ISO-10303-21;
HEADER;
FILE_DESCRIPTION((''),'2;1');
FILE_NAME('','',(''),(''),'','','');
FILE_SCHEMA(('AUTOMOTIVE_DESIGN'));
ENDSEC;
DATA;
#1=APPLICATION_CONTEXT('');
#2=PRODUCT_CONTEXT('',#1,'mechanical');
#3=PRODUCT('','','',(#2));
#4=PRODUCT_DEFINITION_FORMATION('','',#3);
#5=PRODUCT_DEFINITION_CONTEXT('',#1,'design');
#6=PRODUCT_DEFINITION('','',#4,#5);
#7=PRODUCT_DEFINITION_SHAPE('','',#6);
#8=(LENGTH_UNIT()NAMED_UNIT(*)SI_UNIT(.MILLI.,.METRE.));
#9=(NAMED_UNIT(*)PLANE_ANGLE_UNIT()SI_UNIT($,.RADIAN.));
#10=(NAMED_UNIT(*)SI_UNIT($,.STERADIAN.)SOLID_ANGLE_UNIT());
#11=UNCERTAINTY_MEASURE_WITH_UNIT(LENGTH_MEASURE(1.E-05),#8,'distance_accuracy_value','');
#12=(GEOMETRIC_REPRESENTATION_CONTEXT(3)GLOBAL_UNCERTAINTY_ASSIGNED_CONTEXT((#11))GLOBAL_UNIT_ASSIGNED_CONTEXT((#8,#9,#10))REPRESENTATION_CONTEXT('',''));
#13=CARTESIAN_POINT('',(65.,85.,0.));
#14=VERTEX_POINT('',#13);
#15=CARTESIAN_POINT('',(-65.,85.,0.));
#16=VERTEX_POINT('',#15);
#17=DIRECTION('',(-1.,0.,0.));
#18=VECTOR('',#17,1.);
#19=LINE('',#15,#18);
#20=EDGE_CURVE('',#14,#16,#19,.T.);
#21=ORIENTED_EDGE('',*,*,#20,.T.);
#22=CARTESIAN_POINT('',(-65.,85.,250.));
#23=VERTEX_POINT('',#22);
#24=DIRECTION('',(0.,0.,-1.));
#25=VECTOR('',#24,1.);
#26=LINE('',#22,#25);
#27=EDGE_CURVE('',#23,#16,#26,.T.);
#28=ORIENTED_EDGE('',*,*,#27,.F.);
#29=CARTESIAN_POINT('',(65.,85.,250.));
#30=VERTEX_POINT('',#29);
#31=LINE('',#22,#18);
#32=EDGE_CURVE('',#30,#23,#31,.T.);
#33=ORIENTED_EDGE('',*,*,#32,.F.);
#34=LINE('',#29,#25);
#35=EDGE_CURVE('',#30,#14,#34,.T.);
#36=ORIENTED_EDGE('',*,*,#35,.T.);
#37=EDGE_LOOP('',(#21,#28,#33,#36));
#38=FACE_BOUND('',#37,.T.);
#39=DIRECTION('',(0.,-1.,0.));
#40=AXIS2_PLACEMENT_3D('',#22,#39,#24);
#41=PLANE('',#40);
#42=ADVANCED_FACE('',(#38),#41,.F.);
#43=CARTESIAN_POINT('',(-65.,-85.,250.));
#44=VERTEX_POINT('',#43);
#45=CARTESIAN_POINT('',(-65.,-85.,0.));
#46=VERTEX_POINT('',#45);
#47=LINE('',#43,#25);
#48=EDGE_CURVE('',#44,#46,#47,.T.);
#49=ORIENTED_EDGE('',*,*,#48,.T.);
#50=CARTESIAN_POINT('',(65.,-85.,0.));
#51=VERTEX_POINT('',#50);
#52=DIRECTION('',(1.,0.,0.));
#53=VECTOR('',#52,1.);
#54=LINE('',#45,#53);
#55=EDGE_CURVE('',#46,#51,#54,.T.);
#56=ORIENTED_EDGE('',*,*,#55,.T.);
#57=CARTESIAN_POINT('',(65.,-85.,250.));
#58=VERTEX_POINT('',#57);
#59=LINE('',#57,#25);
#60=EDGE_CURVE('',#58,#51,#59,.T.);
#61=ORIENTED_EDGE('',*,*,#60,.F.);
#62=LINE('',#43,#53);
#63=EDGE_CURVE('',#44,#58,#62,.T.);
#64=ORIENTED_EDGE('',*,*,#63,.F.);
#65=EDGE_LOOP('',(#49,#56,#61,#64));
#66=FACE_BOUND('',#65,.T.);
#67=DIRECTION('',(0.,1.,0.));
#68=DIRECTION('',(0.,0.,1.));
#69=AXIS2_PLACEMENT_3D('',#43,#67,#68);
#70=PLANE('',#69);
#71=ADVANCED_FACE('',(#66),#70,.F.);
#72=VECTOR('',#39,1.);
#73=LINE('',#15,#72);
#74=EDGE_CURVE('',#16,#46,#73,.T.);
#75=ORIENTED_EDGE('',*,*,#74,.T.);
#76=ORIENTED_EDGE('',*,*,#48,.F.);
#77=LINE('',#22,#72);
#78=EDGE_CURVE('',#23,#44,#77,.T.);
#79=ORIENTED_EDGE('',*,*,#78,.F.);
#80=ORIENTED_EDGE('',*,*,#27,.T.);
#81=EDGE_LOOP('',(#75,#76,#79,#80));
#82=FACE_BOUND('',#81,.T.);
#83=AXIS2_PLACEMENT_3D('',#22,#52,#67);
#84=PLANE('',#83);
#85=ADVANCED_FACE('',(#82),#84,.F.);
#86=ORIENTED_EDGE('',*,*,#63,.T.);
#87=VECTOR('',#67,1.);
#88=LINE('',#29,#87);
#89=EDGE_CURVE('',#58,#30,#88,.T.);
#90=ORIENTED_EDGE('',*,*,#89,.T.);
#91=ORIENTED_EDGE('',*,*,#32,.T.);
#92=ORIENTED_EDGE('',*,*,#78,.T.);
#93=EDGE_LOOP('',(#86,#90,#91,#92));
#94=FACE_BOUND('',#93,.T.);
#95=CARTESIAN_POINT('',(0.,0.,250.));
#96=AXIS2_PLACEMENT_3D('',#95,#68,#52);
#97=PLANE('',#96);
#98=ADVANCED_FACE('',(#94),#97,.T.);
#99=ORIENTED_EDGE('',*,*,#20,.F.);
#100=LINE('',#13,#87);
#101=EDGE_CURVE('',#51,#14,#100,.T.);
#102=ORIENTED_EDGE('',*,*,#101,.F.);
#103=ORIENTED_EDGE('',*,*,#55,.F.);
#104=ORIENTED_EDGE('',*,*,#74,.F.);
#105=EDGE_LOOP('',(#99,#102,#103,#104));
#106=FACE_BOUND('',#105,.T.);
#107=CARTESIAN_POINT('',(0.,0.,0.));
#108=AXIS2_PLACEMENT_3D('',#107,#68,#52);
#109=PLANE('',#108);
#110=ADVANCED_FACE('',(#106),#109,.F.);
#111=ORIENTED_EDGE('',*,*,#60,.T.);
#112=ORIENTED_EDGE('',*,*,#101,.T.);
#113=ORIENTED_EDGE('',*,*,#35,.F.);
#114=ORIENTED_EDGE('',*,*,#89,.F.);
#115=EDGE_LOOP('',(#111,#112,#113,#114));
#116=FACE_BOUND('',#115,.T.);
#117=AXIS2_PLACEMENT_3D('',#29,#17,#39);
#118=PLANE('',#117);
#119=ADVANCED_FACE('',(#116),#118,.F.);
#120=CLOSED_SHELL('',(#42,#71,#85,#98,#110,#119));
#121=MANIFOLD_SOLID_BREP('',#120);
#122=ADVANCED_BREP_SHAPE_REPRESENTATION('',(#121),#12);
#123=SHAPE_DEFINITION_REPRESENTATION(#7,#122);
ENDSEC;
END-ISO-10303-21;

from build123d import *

# Parameters (mm, degrees)
SKETCH_1_W      = 130
SKETCH_1_H      = 170
EXTRUDE_1_DEPTH = 250


with BuildPart() as part:
    # 草图1 → 凸台-拉伸1 (new body)
    with BuildSketch(Plane.XY):
        Rectangle(SKETCH_1_W, SKETCH_1_H)
    extrude(amount=EXTRUDE_1_DEPTH)


solid = part.part
